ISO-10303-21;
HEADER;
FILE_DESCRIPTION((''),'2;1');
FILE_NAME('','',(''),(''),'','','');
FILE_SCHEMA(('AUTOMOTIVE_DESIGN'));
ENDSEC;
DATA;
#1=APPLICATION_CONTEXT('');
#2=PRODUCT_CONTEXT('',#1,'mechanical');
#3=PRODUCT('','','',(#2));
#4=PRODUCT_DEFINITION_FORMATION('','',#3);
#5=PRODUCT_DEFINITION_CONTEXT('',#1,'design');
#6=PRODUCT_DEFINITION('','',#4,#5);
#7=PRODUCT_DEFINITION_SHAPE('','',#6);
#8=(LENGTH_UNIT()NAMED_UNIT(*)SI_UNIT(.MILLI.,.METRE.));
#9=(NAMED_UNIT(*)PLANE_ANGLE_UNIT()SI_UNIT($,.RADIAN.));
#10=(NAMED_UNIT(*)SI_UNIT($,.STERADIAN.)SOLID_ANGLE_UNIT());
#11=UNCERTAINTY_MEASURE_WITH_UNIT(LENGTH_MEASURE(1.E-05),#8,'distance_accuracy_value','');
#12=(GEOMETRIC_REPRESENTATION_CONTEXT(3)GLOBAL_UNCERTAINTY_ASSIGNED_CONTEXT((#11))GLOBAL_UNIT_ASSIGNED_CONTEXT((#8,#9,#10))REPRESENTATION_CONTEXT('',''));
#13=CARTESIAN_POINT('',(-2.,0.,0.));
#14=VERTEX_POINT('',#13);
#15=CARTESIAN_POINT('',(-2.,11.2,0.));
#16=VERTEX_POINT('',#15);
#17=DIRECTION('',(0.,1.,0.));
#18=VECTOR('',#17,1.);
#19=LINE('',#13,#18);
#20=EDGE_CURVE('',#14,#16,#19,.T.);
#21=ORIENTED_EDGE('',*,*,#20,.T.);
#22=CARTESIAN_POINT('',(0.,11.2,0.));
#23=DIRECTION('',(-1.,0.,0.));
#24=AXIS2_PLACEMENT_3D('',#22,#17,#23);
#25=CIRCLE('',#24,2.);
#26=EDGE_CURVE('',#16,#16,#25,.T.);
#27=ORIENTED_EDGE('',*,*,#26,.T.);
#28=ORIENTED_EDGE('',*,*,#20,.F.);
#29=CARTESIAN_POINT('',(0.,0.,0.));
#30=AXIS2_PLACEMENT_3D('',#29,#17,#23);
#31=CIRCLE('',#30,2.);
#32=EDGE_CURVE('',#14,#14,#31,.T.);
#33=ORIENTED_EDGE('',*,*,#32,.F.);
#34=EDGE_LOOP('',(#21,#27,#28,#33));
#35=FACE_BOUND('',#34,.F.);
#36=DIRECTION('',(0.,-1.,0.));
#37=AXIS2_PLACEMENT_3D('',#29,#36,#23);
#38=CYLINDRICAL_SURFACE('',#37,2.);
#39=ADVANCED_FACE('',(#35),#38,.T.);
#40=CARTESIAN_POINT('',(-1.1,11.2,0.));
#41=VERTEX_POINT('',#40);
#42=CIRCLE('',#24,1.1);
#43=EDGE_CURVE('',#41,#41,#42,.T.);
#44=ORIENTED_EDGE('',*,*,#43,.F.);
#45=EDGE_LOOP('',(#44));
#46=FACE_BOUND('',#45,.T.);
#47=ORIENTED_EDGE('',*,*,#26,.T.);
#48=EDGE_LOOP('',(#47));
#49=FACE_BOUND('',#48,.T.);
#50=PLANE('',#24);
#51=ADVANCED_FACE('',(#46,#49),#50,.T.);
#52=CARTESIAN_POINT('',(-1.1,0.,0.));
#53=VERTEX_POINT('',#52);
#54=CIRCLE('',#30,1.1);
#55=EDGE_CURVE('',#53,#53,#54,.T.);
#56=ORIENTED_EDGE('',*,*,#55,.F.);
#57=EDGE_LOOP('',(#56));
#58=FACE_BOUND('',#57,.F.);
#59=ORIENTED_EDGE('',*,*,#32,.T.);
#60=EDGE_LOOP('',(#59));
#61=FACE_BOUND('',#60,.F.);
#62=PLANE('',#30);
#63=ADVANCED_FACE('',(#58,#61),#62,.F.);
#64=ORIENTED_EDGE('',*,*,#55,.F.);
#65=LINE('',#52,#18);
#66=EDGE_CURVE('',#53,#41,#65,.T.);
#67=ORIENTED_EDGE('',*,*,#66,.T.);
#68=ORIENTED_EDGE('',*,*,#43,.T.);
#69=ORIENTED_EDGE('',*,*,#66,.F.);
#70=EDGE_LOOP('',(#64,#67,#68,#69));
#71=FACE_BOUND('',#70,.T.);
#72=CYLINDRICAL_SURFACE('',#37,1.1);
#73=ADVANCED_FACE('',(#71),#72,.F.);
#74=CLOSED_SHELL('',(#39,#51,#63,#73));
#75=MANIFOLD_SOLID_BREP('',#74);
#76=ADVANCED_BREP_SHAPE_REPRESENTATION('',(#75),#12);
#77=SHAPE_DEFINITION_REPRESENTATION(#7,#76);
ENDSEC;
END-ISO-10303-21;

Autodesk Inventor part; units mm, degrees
ref_plane "YZ Plane" through (0, 0, 0) normal (1, 0, 0) x (0, 1, 0)
ref_plane "XZ Plane" through (0, 0, 0) normal (0, 1, 0) x (-1, 0, 0)
ref_plane "XY Plane" through (0, 0, 0) normal (0, 0, 1) x (1, 0, 0)
sketch "スケッチ1" plane through (0, 0, 0) normal (0, 1, 0) x (-1, 0, 0)
  circle A0 centre (0, 0) radius 2
  circle A1 centre (0, 0) radius 1.1
  dimension "d0" = 2.2
  dimension "d1" = 4
extrude "押し出し1" add sketch "スケッチ1" along normal blind 11.2
properties part number "sensorjoint"
